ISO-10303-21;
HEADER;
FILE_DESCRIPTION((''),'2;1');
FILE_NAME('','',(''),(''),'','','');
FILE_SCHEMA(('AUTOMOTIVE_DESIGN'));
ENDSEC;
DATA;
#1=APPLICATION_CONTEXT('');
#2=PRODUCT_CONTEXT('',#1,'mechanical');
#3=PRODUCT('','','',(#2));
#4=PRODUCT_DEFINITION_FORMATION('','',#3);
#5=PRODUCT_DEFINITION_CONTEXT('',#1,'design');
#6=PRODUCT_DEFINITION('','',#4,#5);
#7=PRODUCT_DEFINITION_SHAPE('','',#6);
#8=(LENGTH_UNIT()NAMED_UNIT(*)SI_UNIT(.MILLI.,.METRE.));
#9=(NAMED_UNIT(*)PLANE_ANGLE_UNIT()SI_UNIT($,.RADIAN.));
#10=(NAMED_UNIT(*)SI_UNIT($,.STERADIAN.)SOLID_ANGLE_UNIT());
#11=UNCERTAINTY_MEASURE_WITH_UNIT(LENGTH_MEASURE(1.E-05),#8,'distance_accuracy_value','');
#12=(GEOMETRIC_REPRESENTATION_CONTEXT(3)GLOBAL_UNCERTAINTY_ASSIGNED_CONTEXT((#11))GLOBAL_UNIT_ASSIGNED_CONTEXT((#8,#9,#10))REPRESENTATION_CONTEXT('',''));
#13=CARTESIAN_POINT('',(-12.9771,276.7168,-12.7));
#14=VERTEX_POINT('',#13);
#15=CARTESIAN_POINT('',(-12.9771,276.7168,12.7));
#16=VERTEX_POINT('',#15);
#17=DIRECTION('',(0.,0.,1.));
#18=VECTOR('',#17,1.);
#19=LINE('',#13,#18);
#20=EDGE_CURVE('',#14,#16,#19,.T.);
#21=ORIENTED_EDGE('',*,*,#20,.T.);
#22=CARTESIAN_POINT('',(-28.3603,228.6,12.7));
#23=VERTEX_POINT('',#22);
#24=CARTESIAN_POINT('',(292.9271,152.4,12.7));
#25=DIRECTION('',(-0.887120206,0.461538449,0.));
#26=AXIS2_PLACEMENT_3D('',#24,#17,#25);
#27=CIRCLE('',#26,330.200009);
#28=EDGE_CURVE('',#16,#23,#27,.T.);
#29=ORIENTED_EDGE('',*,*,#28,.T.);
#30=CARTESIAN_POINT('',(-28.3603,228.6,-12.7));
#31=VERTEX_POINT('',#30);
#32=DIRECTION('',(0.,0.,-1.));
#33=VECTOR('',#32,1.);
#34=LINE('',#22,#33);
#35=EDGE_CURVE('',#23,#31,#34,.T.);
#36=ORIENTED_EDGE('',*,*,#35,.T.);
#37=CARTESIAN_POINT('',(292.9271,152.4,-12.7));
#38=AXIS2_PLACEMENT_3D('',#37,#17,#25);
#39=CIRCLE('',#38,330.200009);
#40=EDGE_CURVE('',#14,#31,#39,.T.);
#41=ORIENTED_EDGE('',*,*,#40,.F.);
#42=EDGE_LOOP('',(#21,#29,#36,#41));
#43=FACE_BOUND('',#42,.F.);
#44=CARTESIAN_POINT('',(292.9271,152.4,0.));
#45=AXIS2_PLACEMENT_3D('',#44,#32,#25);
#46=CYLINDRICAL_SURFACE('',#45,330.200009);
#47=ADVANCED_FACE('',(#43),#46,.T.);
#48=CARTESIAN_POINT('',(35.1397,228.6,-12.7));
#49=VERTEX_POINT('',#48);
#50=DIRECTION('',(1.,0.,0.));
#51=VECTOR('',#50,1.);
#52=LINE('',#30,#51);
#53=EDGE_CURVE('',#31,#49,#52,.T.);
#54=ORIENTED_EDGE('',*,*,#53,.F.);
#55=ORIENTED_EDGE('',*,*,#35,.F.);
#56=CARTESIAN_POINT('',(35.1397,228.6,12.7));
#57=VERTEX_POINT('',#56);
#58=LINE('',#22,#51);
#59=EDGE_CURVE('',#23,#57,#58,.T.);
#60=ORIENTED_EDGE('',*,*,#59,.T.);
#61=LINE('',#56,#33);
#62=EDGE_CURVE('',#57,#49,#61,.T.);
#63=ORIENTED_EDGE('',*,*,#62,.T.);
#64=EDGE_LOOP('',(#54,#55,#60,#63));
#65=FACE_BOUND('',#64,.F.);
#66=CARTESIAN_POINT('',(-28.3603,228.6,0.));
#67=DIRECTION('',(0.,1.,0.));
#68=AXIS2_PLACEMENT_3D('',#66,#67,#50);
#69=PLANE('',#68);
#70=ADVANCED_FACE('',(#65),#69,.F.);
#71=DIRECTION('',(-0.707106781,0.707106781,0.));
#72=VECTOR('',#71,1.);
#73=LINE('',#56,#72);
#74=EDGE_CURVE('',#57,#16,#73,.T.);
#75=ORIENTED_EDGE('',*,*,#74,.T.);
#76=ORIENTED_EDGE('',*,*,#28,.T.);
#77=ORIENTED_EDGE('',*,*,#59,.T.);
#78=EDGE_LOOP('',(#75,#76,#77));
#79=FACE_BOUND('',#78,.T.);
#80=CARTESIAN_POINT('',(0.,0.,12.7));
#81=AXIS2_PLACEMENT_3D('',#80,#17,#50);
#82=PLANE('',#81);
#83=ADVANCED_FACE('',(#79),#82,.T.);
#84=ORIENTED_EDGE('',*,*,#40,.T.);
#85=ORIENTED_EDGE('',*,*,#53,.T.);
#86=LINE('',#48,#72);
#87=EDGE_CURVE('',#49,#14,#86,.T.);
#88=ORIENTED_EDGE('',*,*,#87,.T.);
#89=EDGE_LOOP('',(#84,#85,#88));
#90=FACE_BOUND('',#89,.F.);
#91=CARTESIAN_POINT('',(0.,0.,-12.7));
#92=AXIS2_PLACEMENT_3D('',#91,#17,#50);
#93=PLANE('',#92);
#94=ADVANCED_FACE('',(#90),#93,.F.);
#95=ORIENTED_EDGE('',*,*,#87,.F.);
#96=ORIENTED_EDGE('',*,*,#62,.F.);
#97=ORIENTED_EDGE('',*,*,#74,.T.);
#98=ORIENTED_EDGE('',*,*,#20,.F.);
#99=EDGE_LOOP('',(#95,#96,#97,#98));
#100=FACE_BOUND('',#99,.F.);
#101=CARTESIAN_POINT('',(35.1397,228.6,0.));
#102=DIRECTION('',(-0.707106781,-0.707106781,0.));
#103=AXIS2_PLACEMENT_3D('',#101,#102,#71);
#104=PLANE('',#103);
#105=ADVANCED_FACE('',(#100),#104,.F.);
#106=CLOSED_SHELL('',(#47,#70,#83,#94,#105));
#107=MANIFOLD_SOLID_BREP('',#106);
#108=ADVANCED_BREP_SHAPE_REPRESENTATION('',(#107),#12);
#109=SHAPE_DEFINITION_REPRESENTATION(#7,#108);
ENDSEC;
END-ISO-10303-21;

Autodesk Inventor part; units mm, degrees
ref_plane "YZ Plane" through (0, 0, 0) normal (1, 0, 0) x (0, 1, 0)
ref_plane "XZ Plane" through (0, 0, 0) normal (0, 1, 0) x (-1, 0, 0)
ref_plane "XY Plane" through (0, 0, 0) normal (0, 0, 1) x (1, 0, 0)
sketch "Sketch1" plane through (0, 0, 0) normal (0, 0, 1) x (1, 0, 0)
  line L0 (0, 0) -> (0, 304.8) construction
  arc A0 (0, 304.8) -> (0, 0) centre (292.9271, 152.4) ccw
  line L1 (0, 152.4) -> (-37.2729, 152.4) construction
  line L2 (-28.3603, 228.6) -> (35.1397, 228.6)
  line L3 (35.1397, 228.6) -> (-12.9771, 276.7168)
  line L4 (-28.3603, 228.6) -> (35.1397, 228.6)
  dimension "d0" = 304.8
  dimension "d1" = 330.2
  dimension "d2" = 63.5
  dimension "d3" = 45
  dimension "d4" = 76.2
extrude "Extrusion1" add sketch "Sketch1" along normal mid plane 25.4
equation "\"d0\" = cordSize"
equation "\"d1\" = radiusOfCurvature"
equation "\"d2\" = depthFromWall"
equation "\"d3\" = partMajorAngle"
equation "\"d4\" = hightAboveCenterLine"
equation "\"d5\" = width"
equation "\"width\" = 25.4"
equation "\"radiusOfCurvature\" = 330.2"
equation "\"depthFromWall\" = 63.5"
equation "\"partMajorAngle\" = 45deg"
equation "\"cordSize\" = 304.8"
equation "\"hightAboveCenterLine\" = 76.2"
properties part number "ketchenLightBracket"
